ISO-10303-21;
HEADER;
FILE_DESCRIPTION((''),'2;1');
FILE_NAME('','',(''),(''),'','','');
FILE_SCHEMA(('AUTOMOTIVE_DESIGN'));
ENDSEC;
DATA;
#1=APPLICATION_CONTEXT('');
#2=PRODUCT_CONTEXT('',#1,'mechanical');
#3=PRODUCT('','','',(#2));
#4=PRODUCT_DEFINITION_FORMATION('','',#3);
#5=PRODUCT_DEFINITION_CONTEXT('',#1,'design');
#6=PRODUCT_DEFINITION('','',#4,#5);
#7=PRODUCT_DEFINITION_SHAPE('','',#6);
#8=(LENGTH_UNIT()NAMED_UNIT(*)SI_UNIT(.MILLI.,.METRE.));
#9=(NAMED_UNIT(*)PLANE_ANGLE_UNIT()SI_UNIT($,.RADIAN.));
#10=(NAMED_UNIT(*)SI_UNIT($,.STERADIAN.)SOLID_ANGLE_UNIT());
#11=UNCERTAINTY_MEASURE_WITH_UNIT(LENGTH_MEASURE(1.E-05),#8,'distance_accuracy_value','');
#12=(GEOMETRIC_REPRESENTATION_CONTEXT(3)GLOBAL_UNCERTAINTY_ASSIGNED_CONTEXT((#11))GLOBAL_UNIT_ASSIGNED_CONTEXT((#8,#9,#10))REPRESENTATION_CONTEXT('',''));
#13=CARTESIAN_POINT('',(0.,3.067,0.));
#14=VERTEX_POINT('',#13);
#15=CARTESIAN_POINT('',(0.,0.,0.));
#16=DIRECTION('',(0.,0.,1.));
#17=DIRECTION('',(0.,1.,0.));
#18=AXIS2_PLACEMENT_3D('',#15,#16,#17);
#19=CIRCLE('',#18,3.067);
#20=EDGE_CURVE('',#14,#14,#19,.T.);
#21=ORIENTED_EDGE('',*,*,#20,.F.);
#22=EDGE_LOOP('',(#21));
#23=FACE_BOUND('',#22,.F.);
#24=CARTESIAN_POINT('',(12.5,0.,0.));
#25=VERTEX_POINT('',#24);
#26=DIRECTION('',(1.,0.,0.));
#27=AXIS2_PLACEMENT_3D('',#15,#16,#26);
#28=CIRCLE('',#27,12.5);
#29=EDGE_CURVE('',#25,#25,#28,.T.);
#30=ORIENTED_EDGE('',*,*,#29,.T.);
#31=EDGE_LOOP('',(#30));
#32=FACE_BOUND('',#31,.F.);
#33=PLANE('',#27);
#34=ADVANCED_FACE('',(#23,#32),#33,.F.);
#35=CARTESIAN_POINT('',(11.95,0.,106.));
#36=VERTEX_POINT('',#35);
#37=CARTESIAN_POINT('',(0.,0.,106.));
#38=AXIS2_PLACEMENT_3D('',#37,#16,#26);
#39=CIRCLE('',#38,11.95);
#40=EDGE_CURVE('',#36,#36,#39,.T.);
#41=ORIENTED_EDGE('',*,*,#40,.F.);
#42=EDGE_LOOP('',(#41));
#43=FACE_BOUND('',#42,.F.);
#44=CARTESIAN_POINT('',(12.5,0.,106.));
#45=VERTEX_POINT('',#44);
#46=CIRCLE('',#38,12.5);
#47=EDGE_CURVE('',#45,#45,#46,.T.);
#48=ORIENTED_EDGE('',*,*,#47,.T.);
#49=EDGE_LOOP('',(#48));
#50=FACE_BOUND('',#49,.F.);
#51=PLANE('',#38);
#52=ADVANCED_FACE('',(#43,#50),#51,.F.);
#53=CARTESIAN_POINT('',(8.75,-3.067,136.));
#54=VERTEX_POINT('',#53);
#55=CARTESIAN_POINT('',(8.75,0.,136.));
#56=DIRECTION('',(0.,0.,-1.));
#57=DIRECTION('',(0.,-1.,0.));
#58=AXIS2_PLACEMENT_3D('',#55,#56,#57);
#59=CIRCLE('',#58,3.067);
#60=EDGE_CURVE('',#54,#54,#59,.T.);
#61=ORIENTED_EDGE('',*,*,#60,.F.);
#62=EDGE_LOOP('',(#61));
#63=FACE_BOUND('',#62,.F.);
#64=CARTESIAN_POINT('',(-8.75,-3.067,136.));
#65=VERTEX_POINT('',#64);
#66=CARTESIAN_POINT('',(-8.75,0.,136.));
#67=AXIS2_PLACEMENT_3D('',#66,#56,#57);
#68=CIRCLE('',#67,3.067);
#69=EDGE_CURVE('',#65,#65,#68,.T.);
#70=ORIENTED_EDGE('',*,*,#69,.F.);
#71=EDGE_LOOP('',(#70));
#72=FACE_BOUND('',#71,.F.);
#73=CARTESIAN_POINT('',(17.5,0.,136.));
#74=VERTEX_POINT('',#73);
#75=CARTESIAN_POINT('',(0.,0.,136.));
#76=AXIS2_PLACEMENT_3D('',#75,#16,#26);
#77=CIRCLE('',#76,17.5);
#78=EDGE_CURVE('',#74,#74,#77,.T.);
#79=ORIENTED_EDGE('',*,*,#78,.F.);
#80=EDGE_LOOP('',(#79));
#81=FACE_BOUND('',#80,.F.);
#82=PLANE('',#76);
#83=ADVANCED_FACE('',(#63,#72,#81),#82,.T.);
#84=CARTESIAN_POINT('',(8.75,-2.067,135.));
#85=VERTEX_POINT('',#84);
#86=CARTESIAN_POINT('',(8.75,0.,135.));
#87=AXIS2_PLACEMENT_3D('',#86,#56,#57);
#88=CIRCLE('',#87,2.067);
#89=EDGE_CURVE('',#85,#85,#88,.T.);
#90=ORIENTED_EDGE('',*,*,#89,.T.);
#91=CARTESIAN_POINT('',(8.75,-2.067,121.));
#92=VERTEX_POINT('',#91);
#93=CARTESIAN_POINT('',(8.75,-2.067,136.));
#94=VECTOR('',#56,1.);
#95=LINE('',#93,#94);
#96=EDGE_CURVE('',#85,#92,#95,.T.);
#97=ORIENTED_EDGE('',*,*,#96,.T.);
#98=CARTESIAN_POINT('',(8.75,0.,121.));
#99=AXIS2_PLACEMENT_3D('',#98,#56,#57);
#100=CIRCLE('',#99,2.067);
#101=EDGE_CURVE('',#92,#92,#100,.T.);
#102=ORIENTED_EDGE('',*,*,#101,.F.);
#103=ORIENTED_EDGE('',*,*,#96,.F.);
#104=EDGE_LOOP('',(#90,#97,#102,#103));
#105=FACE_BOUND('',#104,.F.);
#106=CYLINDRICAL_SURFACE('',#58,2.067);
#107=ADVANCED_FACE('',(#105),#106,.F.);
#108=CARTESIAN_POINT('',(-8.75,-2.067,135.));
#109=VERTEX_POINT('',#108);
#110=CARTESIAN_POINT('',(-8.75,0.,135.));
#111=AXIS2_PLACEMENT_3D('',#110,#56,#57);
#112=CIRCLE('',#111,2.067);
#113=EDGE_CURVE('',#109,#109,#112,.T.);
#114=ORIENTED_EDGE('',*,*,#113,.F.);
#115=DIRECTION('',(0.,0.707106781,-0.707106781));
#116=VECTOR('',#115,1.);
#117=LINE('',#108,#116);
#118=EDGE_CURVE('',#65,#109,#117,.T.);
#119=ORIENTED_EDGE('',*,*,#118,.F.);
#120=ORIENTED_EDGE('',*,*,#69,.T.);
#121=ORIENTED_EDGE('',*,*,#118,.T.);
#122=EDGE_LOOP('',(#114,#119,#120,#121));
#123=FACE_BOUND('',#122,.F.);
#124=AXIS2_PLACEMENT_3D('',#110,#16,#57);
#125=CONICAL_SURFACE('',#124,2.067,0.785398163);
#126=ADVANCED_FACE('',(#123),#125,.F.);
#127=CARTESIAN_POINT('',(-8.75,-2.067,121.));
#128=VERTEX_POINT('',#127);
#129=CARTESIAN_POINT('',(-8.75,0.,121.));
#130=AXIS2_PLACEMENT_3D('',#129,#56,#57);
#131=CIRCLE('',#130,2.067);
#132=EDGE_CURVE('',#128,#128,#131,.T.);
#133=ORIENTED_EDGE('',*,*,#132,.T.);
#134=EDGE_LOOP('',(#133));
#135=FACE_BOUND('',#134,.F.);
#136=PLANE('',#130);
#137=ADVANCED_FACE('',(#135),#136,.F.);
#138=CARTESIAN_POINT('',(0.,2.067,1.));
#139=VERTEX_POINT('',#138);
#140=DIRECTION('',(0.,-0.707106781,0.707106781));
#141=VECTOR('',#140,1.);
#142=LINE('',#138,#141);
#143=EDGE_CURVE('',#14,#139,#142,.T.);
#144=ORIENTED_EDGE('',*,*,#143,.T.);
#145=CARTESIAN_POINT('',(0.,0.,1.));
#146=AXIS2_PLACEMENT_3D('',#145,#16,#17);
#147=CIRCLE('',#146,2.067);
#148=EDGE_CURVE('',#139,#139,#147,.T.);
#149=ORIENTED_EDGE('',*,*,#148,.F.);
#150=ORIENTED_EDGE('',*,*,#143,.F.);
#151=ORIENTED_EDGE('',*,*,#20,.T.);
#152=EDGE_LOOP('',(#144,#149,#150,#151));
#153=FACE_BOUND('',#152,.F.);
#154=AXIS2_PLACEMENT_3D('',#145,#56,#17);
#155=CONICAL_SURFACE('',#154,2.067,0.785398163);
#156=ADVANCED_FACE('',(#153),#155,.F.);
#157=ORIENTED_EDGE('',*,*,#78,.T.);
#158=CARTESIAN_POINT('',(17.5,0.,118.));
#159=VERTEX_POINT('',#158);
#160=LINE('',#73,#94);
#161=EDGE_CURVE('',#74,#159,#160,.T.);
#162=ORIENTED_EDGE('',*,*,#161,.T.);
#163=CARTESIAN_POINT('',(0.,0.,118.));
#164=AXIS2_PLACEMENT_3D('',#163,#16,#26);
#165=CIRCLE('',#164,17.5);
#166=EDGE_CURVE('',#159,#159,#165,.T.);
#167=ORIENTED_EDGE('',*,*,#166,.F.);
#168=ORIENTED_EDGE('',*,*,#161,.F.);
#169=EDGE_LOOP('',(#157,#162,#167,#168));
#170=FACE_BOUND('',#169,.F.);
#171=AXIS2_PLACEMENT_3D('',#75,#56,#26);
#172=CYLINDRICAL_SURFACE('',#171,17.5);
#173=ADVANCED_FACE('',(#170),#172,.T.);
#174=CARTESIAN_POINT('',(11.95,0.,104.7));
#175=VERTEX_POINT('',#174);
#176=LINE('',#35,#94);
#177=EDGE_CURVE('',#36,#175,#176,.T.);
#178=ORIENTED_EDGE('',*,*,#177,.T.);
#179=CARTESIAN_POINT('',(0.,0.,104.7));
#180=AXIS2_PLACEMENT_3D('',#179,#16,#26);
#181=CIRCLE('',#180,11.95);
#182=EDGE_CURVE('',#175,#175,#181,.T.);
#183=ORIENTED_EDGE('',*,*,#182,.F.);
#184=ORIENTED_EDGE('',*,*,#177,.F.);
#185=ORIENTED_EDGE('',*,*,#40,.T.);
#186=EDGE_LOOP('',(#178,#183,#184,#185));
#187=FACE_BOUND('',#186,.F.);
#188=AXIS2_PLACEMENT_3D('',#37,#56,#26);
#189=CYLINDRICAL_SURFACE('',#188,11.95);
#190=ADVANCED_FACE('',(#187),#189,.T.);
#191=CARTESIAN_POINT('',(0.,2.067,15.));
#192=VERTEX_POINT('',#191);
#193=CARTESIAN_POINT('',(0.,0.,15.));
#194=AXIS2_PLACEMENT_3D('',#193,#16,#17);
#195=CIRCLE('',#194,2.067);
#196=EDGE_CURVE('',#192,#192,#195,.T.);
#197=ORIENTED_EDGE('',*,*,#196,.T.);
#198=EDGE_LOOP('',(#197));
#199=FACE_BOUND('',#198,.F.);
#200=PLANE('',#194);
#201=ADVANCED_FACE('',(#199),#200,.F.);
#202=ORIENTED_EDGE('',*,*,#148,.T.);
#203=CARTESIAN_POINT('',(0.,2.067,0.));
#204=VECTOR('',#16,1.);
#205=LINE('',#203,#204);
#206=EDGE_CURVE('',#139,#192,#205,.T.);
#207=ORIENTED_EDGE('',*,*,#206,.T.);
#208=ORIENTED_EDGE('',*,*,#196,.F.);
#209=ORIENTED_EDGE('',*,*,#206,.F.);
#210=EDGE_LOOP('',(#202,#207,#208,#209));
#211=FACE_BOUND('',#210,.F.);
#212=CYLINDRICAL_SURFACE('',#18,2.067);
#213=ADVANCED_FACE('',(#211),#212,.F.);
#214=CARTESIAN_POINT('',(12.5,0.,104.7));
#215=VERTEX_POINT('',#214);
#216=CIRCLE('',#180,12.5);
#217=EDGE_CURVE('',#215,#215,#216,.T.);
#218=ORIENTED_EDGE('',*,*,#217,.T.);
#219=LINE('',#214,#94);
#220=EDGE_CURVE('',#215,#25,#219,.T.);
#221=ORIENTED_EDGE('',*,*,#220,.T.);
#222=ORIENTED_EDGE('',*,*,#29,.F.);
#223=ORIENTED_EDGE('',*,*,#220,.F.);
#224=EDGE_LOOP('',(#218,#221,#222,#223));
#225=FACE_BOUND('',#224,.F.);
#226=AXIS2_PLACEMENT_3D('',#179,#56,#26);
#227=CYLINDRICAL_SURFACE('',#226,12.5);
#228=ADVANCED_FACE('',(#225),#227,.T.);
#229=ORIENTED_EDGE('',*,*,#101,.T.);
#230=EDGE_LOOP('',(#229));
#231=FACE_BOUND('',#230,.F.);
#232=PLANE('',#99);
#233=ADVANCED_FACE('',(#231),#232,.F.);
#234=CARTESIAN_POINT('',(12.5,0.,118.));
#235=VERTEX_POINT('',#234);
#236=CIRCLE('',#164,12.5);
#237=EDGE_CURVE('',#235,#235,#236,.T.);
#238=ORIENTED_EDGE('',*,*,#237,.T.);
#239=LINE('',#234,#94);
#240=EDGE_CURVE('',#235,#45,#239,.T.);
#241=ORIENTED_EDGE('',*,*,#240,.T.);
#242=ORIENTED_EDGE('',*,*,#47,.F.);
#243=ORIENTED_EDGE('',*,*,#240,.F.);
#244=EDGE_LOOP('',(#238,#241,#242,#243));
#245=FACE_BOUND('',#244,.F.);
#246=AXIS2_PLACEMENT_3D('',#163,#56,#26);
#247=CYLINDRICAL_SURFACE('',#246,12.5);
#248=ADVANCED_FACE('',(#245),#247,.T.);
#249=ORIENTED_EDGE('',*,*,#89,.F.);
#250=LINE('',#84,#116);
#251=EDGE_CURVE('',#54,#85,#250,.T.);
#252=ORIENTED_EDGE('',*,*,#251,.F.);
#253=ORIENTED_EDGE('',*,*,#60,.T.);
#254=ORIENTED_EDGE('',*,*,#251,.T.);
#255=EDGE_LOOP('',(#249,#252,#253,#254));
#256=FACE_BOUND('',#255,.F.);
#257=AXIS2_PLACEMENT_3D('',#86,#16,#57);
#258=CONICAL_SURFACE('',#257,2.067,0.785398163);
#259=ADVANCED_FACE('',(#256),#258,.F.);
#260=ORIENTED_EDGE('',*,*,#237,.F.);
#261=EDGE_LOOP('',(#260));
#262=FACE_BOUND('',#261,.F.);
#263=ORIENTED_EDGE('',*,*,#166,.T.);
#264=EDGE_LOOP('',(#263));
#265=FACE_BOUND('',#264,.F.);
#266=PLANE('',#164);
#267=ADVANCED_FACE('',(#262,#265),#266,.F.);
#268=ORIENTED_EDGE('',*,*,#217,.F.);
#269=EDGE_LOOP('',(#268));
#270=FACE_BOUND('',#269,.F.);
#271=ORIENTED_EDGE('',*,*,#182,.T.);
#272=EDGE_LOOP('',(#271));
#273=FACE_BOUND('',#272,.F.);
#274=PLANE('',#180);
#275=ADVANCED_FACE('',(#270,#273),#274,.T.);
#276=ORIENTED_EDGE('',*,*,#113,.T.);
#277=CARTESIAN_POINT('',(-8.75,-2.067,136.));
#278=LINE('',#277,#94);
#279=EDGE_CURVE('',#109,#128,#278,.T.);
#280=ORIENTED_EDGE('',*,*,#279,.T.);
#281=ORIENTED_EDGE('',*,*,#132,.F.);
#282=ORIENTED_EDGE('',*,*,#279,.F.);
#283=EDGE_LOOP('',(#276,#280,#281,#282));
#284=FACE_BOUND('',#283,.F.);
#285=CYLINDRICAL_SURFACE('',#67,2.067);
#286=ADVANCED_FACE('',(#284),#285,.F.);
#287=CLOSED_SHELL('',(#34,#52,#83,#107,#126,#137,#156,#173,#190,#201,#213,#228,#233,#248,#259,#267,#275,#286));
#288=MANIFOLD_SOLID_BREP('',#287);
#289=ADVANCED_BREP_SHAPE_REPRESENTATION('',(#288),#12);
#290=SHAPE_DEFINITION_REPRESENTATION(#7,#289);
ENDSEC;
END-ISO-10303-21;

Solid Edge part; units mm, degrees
sketch "Sketch1" plane through (0, 0, 0) normal (0, -1, 0) x (1, 0, 0)
  line L0 (0, 0) -> (0, 136)
  line L1 (0, 136) -> (17.5, 136)
  line L2 (17.5, 136) -> (17.5, 118)
  line L3 (17.5, 118) -> (12.5, 118)
  line L4 (12.5, 118) -> (12.5, 106)
  line L5 (12.5, 106) -> (11.95, 106)
  line L6 (11.95, 106) -> (11.95, 104.7)
  line L7 (11.95, 104.7) -> (12.5, 104.7)
  line L8 (12.5, 104.7) -> (12.5, 0)
  line L9 (12.5, 0) -> (0, 0)
  dimension "D1" = 17.5
  dimension "D2" = 12.5
  dimension "D3" = 11.95
  dimension "D4" = 1.3
  dimension "D5" = 104.7
  dimension "D6" = 18
  dimension "D7" = 12
revolve "RevolvedProtrusion1" add sketch "Sketch1" angle 360 about axis through (0, 0, 0) along (0, 0, 1)
hole "Hole1" at (8.75, 0, 136) direction (0, 0, -1) diameter 4.134 depth 15 start chamfer 1 start chamfer angle 45
hole "Hole2" at (-8.75, 0, 136) direction (0, 0, -1) diameter 4.134 depth 15 start chamfer 1 start chamfer angle 45
hole "v_1" at (0, 0, 0) direction (0, 0, 1) diameter 4.134 depth 15 start chamfer 1 start chamfer angle 45
